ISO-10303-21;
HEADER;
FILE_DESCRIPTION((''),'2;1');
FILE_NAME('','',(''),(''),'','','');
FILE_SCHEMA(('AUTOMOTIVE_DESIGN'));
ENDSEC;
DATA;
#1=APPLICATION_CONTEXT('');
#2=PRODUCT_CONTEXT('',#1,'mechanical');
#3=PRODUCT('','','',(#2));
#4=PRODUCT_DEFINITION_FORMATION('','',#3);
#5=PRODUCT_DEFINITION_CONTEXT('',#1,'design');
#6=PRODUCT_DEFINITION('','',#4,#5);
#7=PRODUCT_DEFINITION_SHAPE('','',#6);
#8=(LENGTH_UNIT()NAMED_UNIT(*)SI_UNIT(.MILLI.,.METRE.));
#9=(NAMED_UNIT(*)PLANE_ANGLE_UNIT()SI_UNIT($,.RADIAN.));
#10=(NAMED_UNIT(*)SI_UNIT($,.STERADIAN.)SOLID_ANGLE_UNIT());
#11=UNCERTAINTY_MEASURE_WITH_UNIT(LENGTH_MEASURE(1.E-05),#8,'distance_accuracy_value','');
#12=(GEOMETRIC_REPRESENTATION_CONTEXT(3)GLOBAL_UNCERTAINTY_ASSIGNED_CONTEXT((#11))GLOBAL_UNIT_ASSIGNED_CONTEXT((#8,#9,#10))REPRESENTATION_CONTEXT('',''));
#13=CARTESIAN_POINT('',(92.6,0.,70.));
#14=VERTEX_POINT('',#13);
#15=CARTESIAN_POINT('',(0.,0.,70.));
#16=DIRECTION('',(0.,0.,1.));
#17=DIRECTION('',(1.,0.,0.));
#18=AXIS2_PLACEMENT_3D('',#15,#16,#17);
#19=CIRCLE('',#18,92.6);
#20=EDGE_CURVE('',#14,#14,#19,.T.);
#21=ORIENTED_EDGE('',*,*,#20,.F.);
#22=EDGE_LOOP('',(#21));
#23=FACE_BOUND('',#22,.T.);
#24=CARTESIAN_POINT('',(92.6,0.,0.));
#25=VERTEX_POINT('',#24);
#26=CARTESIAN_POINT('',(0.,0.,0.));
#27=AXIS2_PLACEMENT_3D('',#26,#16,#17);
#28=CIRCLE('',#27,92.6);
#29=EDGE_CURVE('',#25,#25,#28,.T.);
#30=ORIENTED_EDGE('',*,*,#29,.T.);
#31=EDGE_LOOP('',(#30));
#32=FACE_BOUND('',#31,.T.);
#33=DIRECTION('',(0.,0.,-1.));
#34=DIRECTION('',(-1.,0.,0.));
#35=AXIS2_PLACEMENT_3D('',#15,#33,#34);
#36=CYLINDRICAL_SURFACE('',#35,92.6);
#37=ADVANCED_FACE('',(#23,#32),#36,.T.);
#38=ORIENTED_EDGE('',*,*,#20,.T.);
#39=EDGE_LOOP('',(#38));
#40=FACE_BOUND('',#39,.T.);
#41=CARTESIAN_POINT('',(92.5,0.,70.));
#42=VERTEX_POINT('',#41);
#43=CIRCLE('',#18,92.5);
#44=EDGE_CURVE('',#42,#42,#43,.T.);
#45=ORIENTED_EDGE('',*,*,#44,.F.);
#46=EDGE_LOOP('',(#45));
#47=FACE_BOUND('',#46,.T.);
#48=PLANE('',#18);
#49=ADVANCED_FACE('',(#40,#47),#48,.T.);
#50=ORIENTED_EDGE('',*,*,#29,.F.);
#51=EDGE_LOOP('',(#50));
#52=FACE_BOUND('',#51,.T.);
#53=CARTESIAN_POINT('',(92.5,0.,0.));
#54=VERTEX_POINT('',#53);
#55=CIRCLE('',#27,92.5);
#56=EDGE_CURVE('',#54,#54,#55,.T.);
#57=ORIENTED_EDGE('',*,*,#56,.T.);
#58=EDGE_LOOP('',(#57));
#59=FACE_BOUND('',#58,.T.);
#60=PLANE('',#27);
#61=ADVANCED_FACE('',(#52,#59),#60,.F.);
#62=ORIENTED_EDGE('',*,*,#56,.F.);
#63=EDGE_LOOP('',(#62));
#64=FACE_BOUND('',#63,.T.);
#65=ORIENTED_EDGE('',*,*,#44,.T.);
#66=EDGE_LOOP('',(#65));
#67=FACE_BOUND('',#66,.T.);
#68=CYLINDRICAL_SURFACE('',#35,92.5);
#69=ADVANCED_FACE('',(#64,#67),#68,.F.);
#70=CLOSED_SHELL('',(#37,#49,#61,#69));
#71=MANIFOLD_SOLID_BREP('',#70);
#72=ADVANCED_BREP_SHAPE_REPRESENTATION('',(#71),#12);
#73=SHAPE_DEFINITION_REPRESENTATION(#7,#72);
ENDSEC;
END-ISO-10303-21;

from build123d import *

# Parameters (mm, degrees)
SKETCH_1_R      = 92.6
SKETCH_1_R_2    = 92.5
EXTRUDE_1_DEPTH = 70


with BuildPart() as part:
    # 草图1 → 凸台-拉伸1 (new body)
    with BuildSketch(Plane.XY):
        Circle(SKETCH_1_R)
        Circle(SKETCH_1_R_2, mode=Mode.SUBTRACT)
    extrude(amount=EXTRUDE_1_DEPTH)


solid = part.part
